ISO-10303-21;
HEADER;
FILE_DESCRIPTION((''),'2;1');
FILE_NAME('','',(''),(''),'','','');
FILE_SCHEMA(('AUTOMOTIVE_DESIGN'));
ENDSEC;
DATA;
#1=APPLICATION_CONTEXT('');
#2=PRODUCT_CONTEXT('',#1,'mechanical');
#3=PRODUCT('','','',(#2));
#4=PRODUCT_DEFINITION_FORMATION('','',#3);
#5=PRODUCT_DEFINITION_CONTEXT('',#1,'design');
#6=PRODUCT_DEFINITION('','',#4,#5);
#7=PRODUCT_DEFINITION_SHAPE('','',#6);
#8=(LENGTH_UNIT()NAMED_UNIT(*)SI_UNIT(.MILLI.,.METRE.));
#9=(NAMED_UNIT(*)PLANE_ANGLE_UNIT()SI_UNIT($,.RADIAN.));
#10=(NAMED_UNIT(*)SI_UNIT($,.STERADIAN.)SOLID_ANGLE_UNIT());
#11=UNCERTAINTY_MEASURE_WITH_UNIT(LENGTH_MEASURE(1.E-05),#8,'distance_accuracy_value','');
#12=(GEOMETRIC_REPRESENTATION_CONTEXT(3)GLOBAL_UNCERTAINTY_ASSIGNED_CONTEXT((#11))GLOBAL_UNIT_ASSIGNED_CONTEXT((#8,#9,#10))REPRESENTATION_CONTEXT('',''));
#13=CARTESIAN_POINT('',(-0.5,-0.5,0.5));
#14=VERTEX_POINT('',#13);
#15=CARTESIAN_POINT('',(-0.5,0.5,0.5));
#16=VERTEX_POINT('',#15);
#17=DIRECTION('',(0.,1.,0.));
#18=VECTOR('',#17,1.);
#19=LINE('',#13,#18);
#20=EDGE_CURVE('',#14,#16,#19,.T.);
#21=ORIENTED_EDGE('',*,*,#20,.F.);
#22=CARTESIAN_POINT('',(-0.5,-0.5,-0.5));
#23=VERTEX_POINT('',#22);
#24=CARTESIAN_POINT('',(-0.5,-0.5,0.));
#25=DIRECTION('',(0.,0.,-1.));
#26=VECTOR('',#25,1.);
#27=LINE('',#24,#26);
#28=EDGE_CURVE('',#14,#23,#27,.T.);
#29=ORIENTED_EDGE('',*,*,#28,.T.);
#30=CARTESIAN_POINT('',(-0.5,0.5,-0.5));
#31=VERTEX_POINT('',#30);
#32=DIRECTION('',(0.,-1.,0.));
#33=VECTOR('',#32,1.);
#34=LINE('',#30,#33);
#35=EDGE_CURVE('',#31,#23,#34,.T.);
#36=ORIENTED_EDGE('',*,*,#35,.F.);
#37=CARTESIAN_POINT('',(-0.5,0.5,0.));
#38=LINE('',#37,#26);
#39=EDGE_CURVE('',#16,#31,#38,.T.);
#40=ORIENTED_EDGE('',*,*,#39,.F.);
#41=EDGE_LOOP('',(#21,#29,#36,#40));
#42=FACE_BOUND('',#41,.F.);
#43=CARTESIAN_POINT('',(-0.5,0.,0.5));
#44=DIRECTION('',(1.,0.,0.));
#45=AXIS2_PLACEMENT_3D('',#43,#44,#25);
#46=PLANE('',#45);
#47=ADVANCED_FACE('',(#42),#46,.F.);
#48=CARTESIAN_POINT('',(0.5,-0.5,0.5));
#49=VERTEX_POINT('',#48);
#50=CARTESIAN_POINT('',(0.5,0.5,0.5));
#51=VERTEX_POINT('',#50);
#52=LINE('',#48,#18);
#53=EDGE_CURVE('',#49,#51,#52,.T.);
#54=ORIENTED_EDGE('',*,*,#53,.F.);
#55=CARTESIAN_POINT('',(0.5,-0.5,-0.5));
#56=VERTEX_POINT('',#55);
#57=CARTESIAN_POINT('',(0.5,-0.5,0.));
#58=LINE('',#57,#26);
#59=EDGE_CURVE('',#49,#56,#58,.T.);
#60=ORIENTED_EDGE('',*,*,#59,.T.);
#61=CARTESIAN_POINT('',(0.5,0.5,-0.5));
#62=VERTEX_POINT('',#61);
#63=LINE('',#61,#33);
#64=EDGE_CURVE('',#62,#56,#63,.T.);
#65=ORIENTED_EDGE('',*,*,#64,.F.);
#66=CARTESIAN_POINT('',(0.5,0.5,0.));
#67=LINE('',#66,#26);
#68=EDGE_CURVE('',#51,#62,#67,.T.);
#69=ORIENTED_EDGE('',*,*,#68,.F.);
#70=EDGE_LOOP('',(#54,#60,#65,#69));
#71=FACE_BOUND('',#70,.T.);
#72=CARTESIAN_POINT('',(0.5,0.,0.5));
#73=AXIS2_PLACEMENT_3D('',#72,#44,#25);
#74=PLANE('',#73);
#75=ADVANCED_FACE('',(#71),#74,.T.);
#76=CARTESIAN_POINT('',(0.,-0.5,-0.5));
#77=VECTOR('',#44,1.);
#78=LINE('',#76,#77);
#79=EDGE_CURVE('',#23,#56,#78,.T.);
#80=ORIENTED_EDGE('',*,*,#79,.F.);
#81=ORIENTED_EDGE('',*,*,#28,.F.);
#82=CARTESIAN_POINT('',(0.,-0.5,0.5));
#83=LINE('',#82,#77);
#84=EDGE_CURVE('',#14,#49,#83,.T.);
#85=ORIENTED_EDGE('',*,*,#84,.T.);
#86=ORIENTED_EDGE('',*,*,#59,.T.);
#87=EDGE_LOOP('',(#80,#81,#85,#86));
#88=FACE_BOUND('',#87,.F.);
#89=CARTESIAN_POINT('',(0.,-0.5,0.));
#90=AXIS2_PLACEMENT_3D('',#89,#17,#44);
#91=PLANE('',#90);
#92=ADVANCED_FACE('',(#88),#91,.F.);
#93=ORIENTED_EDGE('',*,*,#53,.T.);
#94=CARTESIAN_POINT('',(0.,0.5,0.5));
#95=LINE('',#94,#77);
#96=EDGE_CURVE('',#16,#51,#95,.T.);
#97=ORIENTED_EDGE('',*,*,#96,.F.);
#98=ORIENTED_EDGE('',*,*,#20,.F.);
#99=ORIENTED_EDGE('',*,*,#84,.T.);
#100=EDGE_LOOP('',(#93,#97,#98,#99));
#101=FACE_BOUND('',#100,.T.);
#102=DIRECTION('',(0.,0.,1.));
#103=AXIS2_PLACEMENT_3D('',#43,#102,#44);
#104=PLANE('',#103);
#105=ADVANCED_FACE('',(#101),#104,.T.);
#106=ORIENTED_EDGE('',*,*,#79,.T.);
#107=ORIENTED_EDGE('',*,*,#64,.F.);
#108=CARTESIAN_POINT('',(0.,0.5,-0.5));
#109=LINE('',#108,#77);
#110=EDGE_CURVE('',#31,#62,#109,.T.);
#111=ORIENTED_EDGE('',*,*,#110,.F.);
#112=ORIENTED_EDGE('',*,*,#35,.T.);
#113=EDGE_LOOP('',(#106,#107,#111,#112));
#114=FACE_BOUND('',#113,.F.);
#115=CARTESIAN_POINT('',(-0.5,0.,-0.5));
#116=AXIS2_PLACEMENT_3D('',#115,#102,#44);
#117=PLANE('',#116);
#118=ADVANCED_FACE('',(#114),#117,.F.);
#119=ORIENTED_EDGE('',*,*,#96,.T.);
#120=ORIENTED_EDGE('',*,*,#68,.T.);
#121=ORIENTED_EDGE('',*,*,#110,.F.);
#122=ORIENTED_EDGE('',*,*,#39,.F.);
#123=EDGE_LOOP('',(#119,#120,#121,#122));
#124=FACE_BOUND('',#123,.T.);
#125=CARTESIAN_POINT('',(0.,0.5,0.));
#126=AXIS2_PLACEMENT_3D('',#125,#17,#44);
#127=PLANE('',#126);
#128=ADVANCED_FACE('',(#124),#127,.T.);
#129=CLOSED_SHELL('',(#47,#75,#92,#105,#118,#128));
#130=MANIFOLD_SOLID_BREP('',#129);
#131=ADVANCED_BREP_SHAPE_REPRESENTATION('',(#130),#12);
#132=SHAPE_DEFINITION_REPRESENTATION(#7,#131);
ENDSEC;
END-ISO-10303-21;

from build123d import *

# Parameters (mm, degrees)
SKIZZE1_W                       = 1
SKIZZE1_H                       = 1
AUFSATZ_LINEAR_AUSTRAGEN1_DEPTH = 0.5


with BuildPart() as part:
    # Skizze1 → Aufsatz-Linear austragen1 (new body, symmetric)
    with BuildSketch(Plane(origin=(0, 0, 0), x_dir=(1, 0, 0), z_dir=(0, 1, 0))):
        Rectangle(SKIZZE1_W, SKIZZE1_H)
    extrude(amount=AUFSATZ_LINEAR_AUSTRAGEN1_DEPTH, both=True)


solid = part.part
